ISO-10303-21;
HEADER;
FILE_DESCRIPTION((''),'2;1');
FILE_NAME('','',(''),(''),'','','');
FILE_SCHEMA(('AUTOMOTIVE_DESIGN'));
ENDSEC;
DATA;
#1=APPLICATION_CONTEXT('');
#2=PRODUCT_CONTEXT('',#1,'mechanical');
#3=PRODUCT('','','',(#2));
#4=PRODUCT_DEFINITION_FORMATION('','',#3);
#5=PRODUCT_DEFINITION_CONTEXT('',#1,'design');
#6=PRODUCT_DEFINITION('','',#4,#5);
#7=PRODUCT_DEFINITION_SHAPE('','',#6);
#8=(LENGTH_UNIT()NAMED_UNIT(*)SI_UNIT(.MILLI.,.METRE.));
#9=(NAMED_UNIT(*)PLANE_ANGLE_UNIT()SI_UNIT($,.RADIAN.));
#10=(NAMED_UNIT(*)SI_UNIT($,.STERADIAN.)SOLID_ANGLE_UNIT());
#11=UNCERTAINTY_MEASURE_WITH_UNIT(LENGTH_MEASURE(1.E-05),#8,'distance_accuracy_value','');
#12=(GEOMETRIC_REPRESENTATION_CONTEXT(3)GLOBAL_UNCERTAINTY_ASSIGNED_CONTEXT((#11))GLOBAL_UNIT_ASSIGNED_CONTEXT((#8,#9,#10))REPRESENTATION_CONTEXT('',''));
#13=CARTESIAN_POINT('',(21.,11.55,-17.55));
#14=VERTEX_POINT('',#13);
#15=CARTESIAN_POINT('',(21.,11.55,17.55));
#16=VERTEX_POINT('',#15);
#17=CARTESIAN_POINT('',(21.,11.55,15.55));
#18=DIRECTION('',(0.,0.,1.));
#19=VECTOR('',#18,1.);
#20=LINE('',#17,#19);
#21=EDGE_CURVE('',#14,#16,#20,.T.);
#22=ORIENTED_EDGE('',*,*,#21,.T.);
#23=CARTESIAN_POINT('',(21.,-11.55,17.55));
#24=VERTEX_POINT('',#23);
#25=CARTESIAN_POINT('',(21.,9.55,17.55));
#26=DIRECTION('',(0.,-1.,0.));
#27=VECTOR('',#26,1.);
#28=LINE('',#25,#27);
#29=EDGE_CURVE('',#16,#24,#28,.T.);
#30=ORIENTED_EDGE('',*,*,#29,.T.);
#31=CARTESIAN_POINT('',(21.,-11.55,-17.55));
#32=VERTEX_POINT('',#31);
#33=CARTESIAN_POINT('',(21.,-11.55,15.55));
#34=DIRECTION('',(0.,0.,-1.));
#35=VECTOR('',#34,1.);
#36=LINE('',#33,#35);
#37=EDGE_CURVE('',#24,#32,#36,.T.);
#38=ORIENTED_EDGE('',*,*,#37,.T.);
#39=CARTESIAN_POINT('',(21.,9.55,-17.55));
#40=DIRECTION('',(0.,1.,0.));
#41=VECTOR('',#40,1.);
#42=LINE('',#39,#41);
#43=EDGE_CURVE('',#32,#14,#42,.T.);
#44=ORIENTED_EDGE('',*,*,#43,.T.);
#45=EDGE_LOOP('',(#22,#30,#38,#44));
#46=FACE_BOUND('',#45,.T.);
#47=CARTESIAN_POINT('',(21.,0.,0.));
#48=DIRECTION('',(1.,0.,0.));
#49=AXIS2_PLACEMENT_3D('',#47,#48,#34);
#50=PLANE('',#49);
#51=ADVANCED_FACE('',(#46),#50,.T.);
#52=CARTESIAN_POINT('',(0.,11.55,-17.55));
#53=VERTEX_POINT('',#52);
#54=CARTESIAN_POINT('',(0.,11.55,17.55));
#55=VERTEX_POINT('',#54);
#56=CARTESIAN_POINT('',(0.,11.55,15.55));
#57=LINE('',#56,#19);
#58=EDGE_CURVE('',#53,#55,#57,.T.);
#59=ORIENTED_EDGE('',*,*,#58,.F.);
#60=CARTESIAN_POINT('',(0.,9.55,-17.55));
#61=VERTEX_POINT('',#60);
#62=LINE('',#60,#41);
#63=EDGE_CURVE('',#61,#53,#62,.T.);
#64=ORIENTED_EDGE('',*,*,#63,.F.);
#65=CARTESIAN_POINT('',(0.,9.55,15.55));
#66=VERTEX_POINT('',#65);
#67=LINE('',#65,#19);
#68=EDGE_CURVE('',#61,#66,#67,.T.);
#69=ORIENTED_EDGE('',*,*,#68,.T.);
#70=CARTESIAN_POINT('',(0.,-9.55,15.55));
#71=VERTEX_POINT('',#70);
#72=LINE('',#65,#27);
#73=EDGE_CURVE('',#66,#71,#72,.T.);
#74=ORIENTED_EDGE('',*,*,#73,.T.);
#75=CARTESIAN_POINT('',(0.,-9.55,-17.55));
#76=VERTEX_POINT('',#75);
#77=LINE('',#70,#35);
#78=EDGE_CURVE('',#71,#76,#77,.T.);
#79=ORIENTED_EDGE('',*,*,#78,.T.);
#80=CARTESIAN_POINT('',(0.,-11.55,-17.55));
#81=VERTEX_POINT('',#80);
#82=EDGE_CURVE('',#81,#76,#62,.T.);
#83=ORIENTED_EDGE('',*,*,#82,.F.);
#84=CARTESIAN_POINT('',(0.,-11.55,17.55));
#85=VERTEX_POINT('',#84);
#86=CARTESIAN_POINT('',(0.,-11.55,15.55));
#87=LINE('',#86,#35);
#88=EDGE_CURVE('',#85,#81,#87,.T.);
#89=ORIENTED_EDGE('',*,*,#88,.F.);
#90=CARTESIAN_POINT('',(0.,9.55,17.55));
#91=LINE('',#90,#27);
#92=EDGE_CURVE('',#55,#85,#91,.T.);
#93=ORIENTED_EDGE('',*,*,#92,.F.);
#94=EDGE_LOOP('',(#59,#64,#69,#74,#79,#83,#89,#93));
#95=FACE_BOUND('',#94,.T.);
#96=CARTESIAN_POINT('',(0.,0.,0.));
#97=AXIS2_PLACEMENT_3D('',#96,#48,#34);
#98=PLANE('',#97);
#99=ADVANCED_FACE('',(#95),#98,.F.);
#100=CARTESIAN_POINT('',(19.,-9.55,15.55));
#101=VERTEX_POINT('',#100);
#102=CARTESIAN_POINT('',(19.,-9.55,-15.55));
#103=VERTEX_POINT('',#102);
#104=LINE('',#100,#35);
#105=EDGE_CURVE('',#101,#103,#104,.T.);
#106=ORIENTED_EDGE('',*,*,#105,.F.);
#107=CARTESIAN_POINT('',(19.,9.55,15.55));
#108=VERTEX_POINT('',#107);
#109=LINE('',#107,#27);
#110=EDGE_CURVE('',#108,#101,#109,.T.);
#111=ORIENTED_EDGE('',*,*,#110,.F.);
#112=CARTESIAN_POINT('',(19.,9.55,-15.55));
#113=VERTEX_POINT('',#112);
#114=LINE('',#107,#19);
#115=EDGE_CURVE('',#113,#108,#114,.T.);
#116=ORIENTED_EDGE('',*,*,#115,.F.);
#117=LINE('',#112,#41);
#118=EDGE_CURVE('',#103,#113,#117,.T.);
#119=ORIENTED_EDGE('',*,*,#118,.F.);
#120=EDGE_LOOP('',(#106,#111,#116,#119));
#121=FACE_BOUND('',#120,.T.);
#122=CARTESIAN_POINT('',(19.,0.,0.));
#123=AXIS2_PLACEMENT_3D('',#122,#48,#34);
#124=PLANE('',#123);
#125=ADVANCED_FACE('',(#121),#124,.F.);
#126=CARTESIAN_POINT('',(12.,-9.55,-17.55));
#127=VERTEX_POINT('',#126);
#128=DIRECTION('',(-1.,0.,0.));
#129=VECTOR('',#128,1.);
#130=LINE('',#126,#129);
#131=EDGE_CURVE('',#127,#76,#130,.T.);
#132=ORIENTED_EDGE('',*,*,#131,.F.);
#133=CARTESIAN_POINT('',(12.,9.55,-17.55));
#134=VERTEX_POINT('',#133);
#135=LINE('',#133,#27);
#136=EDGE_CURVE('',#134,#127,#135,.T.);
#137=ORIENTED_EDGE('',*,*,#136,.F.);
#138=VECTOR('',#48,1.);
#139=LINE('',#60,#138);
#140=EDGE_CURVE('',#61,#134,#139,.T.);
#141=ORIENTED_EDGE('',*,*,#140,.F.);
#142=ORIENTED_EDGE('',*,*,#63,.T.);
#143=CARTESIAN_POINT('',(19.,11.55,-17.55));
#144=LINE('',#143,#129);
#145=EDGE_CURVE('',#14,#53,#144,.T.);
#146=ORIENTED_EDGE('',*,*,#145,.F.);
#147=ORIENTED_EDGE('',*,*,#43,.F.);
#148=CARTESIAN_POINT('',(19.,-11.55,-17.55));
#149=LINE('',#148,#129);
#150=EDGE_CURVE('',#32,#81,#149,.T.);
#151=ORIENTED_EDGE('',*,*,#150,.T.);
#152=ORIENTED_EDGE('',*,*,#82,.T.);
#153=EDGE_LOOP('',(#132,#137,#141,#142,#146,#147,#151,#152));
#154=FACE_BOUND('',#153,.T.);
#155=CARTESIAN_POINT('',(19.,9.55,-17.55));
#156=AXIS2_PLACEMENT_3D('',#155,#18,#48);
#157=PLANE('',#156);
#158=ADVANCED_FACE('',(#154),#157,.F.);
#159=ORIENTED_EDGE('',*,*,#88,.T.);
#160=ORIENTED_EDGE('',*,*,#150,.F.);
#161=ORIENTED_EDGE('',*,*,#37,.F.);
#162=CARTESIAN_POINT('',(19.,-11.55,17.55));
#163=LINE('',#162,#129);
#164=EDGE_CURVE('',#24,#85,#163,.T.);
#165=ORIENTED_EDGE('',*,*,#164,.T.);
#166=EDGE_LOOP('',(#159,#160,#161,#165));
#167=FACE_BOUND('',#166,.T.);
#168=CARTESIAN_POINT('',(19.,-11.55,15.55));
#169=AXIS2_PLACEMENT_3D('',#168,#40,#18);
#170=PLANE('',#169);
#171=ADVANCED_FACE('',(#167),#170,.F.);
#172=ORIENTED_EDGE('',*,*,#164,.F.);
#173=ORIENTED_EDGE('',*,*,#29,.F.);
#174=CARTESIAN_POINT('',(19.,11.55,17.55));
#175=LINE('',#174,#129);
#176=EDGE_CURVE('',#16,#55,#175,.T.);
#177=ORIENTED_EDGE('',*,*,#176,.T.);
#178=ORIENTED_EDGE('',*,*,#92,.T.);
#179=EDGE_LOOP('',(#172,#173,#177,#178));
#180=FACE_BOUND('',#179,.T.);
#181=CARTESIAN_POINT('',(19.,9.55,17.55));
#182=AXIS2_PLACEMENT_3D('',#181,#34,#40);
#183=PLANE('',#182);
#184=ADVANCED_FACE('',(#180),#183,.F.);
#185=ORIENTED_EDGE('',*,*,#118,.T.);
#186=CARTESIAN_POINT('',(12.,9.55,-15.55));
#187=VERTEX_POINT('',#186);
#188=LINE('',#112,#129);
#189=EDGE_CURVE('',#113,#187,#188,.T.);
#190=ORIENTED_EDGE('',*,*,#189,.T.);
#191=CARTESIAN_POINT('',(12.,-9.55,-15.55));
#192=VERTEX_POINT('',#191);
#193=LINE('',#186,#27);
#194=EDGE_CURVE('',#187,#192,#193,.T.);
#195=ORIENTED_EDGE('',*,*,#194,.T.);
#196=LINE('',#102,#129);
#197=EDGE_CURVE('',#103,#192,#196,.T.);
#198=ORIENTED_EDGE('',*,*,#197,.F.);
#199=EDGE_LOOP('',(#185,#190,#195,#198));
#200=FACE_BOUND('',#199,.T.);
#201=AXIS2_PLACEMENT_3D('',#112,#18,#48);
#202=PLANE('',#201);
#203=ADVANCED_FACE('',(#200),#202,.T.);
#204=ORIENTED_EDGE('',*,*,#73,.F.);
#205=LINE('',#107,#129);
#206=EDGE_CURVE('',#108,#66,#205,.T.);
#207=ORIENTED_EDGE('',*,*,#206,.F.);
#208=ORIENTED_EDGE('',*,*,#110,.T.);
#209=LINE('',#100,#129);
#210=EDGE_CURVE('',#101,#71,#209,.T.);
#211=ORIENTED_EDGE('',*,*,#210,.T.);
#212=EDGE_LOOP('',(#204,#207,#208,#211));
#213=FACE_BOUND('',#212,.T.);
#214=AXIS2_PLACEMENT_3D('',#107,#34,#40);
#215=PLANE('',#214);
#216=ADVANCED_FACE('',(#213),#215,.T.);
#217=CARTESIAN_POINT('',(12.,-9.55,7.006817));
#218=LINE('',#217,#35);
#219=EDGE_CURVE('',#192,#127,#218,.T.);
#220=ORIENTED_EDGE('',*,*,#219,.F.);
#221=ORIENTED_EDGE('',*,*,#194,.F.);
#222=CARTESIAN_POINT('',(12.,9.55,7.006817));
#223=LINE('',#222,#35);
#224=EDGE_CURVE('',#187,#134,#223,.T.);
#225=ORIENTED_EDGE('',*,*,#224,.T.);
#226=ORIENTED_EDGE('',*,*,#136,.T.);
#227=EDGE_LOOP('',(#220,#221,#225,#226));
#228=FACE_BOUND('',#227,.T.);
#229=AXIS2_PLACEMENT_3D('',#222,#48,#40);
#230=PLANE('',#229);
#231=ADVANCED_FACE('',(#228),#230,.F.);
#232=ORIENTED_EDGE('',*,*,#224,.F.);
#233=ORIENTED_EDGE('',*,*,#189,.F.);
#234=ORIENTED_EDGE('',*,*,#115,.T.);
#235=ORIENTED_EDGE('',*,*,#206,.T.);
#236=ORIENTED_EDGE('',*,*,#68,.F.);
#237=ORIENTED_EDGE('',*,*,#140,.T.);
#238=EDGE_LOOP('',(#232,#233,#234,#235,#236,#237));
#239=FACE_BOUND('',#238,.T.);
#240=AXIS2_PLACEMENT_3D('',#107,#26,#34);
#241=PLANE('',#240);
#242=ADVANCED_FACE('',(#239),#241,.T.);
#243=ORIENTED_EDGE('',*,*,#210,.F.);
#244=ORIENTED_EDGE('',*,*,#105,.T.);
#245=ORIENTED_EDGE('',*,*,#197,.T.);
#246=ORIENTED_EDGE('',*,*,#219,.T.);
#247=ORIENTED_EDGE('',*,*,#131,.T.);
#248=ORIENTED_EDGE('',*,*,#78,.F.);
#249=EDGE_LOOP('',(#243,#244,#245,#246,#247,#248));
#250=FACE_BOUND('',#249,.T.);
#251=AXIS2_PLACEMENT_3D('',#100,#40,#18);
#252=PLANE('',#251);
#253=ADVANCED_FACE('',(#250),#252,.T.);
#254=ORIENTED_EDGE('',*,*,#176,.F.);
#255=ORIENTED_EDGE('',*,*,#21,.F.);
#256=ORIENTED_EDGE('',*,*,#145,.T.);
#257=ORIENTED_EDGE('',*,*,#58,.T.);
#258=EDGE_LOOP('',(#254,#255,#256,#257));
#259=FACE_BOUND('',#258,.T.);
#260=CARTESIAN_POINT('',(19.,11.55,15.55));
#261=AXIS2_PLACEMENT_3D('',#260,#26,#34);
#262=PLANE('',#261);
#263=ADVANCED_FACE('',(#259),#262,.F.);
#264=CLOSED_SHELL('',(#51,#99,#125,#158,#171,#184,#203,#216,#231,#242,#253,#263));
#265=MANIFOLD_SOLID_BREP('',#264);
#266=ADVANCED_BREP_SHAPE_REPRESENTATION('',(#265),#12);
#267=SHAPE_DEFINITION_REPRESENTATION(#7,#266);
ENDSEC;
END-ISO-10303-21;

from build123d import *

# Parameters (mm, degrees)
SKETCH4_W           = 31.1
SKETCH4_H           = 19.1
BOSS_EXTRUDE1_DEPTH = 19
SHELL1_T            = 2
SKETCH5_W           = 12
SKETCH5_H           = 19.1
CUT_EXTRUDE1_DEPTH  = 2


with BuildPart() as part:
    # Sketch4 → Boss-Extrude1 (new body)
    with BuildSketch(Plane(origin=(0, 0, 0), x_dir=(0, 0, -1), z_dir=(1, 0, 0))):
        Rectangle(SKETCH4_W, SKETCH4_H)
    extrude(amount=BOSS_EXTRUDE1_DEPTH)

    # Shell1
    shell1_openings = [part.faces().sort_by_distance(p)[0] for p in [
        (0, 0, 0),
    ]]
    offset(amount=SHELL1_T, openings=shell1_openings, kind=Kind.INTERSECTION)

    # Sketch5 → Cut-Extrude1 (cut)
    with BuildSketch(Plane(origin=(0, 0, -17.55), x_dir=(-1, 0, 0), z_dir=(0, 0, -1))):
        with Locations((-6, 0)):
            Rectangle(SKETCH5_W, SKETCH5_H)
    extrude(amount=-CUT_EXTRUDE1_DEPTH, mode=Mode.SUBTRACT)


solid = part.part
